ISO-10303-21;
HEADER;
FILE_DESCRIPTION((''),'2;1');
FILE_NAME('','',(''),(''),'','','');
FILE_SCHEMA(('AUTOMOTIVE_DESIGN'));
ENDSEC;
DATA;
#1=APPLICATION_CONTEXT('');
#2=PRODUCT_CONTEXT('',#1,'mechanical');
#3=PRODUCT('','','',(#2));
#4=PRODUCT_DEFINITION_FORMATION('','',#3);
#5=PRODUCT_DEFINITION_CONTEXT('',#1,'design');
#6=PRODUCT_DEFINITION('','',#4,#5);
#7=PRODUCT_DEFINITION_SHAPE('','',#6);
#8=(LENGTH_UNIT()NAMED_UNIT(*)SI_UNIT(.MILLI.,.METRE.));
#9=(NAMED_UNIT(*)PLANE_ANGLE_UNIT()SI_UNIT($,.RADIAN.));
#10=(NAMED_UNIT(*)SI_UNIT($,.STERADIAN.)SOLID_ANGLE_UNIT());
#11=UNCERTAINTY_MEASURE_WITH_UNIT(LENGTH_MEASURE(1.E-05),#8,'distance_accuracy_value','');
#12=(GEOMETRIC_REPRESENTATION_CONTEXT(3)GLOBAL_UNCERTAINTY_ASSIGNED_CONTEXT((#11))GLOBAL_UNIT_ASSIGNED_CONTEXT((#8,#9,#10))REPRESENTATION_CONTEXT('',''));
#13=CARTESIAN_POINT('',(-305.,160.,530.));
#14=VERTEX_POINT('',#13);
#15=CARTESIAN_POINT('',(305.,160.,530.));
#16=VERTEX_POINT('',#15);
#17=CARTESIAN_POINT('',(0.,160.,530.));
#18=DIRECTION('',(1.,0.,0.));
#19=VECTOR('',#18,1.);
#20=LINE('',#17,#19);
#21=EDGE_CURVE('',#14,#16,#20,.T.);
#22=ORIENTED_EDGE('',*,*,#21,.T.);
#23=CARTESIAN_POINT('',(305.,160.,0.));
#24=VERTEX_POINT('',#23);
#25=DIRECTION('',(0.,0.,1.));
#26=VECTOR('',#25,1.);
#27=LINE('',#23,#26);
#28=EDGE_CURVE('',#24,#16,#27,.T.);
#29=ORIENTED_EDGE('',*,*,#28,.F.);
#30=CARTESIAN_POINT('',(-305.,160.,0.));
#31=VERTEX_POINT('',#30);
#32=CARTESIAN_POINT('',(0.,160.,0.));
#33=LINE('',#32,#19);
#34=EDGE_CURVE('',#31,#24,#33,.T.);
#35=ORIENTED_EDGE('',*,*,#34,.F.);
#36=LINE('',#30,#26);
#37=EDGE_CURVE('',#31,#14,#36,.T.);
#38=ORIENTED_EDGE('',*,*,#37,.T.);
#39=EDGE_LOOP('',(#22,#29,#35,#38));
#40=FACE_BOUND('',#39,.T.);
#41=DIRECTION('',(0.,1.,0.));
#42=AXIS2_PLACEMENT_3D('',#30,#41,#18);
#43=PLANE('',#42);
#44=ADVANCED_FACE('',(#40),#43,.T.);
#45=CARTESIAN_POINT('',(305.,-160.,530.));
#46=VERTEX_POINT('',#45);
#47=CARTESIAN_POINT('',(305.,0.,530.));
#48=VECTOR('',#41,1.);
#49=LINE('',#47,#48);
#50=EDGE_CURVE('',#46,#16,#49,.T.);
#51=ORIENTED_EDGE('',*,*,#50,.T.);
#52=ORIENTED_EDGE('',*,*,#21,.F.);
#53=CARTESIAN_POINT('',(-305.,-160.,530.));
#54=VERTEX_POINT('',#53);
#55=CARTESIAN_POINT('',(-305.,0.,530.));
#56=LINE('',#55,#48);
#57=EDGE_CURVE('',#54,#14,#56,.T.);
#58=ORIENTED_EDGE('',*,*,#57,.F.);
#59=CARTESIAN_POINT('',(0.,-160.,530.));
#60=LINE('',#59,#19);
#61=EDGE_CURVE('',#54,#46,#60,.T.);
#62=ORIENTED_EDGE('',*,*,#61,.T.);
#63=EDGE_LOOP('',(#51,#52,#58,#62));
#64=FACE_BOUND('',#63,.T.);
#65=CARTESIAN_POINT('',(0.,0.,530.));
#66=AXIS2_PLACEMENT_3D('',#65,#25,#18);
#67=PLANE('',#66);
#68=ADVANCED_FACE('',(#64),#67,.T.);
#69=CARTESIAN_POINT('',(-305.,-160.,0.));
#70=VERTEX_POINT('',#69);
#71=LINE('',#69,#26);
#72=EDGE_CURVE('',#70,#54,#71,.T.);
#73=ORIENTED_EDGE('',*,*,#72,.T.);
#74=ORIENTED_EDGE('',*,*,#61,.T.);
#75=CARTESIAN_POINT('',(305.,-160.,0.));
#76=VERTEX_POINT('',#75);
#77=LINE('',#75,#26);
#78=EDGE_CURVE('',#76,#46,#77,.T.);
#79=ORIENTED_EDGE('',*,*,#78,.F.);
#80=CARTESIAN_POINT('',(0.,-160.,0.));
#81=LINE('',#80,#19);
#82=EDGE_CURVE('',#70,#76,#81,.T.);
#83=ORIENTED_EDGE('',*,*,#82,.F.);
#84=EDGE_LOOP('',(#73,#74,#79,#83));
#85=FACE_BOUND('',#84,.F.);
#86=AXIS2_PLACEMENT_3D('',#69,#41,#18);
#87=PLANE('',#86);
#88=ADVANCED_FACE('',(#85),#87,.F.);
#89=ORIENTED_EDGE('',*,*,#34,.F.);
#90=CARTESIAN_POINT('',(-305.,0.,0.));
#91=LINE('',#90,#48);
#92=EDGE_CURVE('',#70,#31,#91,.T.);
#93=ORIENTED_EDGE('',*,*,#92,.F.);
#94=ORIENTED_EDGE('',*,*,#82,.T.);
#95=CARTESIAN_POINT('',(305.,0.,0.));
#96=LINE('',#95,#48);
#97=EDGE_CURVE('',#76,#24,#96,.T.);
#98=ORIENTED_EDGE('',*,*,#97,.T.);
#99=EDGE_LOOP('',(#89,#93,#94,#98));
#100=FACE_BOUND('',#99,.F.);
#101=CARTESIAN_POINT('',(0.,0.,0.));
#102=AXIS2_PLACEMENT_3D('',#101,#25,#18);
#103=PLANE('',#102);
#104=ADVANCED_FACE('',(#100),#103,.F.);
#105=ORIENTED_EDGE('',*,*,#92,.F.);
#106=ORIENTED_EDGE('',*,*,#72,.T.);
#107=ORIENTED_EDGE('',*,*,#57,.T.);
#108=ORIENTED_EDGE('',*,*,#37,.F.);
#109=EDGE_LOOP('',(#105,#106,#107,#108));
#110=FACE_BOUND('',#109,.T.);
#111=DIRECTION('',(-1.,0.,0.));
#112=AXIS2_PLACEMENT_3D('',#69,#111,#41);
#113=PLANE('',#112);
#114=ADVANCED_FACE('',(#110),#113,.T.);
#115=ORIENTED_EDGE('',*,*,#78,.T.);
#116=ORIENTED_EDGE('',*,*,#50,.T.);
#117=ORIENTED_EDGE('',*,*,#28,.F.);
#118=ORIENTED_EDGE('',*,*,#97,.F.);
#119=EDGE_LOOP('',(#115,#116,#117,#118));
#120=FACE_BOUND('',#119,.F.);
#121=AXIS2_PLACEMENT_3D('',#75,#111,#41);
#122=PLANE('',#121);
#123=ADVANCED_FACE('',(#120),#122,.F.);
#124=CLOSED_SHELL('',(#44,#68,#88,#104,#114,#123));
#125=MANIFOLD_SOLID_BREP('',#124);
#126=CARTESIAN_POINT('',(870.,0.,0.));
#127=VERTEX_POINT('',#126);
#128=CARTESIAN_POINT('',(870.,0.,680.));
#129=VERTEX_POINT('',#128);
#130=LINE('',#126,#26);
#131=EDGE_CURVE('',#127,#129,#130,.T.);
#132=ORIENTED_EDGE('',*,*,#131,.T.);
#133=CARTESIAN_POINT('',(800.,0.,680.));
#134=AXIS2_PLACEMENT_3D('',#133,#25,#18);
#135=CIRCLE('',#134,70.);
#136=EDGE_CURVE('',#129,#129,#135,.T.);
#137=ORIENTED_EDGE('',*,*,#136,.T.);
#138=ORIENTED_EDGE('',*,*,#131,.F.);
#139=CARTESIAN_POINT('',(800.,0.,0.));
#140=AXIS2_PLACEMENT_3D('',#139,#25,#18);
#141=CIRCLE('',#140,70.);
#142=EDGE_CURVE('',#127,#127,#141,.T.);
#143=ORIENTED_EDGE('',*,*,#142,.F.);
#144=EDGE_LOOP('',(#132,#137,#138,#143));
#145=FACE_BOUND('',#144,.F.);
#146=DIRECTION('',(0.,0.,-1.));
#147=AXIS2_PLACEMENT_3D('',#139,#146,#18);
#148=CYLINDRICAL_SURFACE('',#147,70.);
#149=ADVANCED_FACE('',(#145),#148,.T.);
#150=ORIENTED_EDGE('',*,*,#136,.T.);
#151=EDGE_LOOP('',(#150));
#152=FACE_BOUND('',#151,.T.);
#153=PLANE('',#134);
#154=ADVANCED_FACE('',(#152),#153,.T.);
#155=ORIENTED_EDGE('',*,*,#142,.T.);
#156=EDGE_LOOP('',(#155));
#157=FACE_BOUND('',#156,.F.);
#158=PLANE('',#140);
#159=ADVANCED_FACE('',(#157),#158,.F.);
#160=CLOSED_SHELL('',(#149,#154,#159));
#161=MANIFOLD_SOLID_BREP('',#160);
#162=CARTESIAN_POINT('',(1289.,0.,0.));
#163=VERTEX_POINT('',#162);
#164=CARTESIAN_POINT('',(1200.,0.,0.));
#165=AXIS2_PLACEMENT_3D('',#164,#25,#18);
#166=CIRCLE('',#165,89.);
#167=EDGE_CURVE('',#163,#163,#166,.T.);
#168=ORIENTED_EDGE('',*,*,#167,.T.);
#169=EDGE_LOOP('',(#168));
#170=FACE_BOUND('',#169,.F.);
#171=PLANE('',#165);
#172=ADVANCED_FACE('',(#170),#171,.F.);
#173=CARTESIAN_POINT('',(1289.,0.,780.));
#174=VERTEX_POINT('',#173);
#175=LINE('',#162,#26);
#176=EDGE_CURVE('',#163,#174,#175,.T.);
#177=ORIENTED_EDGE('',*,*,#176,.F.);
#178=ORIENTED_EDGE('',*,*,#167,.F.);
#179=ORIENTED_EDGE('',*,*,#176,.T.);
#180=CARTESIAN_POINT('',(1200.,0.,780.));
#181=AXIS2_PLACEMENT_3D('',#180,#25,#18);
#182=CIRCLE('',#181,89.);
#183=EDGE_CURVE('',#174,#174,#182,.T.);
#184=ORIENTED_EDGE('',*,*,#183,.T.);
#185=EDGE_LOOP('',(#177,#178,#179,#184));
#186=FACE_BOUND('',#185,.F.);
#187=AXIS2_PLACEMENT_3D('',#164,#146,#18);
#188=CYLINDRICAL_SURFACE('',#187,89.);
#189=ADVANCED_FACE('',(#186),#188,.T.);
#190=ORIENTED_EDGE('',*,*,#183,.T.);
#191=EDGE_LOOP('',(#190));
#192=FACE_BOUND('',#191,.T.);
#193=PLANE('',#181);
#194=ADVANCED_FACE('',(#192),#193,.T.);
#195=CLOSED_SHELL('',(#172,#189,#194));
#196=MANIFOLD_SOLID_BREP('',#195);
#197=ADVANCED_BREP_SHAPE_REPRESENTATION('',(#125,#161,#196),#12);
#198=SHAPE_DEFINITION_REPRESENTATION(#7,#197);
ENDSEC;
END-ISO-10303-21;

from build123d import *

# Parameters (mm, degrees)
F0_W     = 610
F0_H     = 320
F1_DEPTH = 530
F2_R     = 70
F3_DEPTH = 680
F2_R_2   = 89
F4_DEPTH = 780


with BuildPart() as f1:
    # F0 (on Top) → F1 (new body)
    with BuildSketch(Plane.XY):
        Rectangle(F0_W, F0_H)
    extrude(amount=F1_DEPTH)


with BuildPart() as f3:
    # F2 (on Top) → F3 (new body)
    with BuildSketch(Plane.XY):
        with Locations((800, 0)):
            Circle(F2_R)
    extrude(amount=F3_DEPTH)


with BuildPart() as f4:
    # F2 (on Top) → F4 (new body)
    with BuildSketch(Plane.XY):
        with Locations((1200, 0)):
            Circle(F2_R_2)
    extrude(amount=F4_DEPTH)


solid = Compound([f1.part, f3.part, f4.part])
